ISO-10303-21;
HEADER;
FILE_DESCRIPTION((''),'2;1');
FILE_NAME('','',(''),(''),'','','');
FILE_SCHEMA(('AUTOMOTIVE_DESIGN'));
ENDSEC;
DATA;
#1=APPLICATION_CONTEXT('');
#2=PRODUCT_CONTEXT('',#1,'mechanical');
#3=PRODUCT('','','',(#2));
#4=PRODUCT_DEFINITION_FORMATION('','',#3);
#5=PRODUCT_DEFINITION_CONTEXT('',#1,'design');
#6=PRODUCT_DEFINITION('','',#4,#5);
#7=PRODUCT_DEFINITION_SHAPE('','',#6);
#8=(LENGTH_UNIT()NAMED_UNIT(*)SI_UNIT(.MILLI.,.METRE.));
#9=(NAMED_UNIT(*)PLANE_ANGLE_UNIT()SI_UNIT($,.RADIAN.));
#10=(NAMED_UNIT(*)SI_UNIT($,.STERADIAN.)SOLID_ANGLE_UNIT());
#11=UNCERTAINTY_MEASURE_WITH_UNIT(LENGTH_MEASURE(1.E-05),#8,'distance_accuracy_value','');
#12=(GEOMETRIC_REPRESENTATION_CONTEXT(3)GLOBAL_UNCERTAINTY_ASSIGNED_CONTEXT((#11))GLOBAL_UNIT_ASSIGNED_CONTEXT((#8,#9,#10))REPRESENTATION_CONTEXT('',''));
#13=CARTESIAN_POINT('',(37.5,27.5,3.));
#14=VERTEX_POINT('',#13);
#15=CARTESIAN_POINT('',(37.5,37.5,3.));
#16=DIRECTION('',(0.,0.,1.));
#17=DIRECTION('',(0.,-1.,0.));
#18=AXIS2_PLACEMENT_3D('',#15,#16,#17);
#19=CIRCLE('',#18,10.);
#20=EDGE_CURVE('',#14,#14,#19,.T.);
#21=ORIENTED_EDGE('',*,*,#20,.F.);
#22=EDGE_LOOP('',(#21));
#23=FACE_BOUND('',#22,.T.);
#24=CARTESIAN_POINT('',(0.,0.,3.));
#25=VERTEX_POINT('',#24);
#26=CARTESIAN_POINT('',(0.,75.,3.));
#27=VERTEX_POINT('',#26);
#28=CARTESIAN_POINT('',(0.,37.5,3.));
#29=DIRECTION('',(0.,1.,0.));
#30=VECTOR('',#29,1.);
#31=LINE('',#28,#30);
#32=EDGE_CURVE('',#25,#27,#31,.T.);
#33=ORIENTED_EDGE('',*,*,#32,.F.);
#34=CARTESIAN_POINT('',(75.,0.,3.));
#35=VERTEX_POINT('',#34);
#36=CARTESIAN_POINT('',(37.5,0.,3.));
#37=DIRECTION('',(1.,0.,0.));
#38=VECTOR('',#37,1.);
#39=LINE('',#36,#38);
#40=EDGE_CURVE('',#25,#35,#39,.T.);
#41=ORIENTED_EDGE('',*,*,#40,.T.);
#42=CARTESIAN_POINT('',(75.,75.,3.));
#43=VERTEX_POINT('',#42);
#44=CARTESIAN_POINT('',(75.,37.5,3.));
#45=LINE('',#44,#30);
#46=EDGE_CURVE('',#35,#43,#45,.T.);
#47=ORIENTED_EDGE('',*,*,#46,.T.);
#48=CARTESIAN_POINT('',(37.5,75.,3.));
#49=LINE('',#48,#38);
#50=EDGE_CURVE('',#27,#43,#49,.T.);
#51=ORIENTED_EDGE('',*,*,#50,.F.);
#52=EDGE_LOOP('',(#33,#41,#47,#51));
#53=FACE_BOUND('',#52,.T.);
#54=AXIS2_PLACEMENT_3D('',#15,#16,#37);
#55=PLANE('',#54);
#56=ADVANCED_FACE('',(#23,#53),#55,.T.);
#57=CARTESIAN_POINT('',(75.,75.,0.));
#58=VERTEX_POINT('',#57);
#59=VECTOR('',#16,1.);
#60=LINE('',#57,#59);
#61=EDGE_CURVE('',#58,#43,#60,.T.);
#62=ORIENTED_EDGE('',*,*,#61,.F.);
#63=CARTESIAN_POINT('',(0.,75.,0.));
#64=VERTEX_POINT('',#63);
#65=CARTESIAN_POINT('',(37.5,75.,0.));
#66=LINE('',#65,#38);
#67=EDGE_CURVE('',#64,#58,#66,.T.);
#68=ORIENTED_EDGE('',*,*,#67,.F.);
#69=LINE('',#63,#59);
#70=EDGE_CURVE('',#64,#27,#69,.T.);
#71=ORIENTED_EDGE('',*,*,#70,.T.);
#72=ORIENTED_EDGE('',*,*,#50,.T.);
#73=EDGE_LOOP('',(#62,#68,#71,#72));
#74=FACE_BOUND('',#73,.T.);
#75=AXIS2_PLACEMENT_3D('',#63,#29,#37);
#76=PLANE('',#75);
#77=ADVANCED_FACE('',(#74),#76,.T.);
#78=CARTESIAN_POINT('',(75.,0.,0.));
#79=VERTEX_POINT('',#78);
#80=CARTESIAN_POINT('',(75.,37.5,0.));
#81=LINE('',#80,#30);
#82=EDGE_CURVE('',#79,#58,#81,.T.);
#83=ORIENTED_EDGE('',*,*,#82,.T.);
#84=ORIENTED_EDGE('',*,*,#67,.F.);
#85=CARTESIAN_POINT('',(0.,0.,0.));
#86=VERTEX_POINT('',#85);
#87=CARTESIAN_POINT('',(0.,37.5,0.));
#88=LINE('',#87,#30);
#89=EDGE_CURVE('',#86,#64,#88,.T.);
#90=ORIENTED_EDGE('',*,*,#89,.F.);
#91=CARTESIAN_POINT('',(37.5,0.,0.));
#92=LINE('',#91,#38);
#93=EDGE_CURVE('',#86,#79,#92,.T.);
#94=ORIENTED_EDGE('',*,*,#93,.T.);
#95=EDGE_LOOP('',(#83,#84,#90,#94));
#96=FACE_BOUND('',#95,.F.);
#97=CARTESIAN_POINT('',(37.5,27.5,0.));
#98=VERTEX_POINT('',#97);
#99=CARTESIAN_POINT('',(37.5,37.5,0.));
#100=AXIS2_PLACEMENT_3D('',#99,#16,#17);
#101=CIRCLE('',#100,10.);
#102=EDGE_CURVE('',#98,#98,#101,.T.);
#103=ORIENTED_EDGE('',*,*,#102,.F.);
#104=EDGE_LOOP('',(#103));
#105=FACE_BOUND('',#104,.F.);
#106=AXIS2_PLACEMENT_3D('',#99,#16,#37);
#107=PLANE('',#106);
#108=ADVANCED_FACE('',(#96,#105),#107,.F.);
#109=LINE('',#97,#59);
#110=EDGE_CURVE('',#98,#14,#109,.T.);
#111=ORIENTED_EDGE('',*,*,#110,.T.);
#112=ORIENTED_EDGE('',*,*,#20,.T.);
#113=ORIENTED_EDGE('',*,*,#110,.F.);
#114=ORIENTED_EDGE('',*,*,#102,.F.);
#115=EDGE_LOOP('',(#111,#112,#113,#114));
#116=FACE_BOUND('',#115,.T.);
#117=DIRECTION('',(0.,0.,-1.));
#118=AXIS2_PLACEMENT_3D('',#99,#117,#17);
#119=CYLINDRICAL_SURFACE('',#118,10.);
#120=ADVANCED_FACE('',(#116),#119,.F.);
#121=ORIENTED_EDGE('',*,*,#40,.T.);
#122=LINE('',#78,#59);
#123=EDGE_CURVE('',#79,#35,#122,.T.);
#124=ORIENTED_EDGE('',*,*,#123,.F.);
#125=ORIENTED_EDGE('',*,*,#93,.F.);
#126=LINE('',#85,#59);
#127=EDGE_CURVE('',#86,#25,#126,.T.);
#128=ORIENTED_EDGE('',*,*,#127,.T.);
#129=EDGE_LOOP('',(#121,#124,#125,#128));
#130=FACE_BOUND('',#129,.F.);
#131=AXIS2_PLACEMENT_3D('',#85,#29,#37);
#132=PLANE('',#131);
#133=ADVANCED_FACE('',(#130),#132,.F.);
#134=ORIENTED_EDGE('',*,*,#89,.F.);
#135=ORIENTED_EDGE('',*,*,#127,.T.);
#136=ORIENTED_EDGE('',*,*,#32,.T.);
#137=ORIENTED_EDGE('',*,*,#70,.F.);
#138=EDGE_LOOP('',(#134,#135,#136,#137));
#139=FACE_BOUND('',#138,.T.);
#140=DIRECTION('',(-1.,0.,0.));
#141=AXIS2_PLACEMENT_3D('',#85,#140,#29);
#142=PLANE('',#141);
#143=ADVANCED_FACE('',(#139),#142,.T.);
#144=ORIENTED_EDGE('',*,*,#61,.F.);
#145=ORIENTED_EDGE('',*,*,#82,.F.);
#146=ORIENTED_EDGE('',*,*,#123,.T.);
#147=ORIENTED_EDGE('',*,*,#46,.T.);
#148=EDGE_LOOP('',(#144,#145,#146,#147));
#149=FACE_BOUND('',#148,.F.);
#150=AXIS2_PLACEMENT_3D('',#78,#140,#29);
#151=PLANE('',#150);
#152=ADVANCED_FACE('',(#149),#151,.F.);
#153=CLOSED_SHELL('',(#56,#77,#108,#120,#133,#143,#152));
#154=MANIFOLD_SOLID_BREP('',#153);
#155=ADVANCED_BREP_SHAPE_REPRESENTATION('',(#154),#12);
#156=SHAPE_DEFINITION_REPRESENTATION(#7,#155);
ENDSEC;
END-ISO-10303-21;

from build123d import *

# Parameters (mm, degrees)
BOX_W          = 75
BOX_H          = 75
BOX_DEPTH      = 3
CYLINDER_R     = 10
CYLINDER_DEPTH = 3


with BuildPart() as part:
    # Box → Box (join)
    with BuildSketch(Plane.XY):
        with Locations((37.5, 37.5)):
            Rectangle(BOX_W, BOX_H)
    extrude(amount=BOX_DEPTH)

    # Cylinder → Cylinder (cut)
    with BuildSketch(Plane(origin=(37.5, 37.5, 0), x_dir=(0, -1, 0), z_dir=(0, 0, 1))):
        Circle(CYLINDER_R)
    extrude(amount=CYLINDER_DEPTH, mode=Mode.SUBTRACT)


solid = part.part
